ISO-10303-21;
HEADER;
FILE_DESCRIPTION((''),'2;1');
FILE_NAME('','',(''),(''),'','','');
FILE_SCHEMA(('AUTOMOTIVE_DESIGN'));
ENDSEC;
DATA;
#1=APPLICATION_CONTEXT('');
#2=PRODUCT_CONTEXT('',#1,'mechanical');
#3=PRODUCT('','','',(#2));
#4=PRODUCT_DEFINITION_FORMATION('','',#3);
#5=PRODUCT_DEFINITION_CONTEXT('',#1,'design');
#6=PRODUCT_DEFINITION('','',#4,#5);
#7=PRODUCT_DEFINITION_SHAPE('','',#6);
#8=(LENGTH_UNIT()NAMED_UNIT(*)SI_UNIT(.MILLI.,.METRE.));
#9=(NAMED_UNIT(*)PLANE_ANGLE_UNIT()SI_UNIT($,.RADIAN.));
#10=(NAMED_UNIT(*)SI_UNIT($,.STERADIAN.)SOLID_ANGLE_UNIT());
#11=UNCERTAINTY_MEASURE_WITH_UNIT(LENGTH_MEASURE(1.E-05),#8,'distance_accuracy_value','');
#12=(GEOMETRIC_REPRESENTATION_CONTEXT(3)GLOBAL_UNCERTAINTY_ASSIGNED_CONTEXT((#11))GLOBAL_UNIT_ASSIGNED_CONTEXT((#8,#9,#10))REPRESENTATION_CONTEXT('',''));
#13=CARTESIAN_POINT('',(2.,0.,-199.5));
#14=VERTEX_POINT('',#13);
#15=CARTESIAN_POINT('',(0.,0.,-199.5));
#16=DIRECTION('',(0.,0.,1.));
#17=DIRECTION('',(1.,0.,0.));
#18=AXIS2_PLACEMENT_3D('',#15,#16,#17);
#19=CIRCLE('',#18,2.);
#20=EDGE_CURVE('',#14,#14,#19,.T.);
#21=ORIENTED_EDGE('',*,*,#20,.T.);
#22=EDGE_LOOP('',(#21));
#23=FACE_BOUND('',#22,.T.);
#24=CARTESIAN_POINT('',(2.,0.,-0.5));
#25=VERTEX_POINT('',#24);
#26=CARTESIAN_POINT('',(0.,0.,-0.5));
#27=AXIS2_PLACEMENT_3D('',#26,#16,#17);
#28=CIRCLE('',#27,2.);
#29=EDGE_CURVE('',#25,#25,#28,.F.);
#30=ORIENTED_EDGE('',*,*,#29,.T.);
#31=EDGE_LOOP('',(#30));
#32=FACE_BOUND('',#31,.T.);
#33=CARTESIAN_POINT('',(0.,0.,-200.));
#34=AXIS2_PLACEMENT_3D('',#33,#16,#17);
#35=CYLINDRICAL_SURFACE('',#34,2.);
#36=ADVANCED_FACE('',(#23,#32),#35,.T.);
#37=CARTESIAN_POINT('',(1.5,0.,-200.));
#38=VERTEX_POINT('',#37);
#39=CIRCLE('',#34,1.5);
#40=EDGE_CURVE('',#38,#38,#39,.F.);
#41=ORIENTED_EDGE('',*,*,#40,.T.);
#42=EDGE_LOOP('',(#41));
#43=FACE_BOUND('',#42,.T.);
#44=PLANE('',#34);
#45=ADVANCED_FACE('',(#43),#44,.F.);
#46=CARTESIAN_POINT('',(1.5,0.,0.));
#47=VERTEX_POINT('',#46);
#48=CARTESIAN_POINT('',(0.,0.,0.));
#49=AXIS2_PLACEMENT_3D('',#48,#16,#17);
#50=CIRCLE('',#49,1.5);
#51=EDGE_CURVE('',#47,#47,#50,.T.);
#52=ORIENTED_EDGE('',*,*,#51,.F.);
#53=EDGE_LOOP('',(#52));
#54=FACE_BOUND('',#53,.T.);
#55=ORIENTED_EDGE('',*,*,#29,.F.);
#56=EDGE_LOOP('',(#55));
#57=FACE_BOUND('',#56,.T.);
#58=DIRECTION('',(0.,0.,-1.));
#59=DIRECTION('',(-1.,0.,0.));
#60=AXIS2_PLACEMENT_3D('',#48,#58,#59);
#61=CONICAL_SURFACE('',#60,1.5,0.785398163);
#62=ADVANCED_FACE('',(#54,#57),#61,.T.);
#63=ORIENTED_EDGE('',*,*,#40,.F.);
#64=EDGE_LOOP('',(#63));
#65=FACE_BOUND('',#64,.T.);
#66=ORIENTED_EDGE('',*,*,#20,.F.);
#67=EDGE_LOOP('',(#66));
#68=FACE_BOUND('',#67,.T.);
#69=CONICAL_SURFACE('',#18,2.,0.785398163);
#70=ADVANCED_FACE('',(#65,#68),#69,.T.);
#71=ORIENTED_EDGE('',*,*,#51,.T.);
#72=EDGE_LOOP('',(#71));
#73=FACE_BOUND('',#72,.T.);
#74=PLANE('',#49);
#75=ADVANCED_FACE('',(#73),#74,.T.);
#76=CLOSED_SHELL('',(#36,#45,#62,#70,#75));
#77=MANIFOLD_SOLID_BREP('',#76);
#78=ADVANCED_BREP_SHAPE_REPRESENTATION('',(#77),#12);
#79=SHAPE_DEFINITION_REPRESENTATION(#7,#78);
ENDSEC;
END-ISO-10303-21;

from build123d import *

# Parameters (mm, degrees)
SKETCH_1_R      = 2
EXTRUDE_1_DEPTH = 200
CHAMFER_1_SIZE  = 0.5


with BuildPart() as part:
    # 草图1 → 凸台-拉伸1 (new body)
    with BuildSketch(Plane.XY):
        Circle(SKETCH_1_R)
    extrude(amount=-EXTRUDE_1_DEPTH)

    # 倒角1
    chamfer_1_edges = [part.edges().sort_by_distance(p)[0] for p in [
        (-2, 0, 0),
        (-2, 0, -200),
    ]]
    chamfer(chamfer_1_edges, length=CHAMFER_1_SIZE)


solid = part.part
